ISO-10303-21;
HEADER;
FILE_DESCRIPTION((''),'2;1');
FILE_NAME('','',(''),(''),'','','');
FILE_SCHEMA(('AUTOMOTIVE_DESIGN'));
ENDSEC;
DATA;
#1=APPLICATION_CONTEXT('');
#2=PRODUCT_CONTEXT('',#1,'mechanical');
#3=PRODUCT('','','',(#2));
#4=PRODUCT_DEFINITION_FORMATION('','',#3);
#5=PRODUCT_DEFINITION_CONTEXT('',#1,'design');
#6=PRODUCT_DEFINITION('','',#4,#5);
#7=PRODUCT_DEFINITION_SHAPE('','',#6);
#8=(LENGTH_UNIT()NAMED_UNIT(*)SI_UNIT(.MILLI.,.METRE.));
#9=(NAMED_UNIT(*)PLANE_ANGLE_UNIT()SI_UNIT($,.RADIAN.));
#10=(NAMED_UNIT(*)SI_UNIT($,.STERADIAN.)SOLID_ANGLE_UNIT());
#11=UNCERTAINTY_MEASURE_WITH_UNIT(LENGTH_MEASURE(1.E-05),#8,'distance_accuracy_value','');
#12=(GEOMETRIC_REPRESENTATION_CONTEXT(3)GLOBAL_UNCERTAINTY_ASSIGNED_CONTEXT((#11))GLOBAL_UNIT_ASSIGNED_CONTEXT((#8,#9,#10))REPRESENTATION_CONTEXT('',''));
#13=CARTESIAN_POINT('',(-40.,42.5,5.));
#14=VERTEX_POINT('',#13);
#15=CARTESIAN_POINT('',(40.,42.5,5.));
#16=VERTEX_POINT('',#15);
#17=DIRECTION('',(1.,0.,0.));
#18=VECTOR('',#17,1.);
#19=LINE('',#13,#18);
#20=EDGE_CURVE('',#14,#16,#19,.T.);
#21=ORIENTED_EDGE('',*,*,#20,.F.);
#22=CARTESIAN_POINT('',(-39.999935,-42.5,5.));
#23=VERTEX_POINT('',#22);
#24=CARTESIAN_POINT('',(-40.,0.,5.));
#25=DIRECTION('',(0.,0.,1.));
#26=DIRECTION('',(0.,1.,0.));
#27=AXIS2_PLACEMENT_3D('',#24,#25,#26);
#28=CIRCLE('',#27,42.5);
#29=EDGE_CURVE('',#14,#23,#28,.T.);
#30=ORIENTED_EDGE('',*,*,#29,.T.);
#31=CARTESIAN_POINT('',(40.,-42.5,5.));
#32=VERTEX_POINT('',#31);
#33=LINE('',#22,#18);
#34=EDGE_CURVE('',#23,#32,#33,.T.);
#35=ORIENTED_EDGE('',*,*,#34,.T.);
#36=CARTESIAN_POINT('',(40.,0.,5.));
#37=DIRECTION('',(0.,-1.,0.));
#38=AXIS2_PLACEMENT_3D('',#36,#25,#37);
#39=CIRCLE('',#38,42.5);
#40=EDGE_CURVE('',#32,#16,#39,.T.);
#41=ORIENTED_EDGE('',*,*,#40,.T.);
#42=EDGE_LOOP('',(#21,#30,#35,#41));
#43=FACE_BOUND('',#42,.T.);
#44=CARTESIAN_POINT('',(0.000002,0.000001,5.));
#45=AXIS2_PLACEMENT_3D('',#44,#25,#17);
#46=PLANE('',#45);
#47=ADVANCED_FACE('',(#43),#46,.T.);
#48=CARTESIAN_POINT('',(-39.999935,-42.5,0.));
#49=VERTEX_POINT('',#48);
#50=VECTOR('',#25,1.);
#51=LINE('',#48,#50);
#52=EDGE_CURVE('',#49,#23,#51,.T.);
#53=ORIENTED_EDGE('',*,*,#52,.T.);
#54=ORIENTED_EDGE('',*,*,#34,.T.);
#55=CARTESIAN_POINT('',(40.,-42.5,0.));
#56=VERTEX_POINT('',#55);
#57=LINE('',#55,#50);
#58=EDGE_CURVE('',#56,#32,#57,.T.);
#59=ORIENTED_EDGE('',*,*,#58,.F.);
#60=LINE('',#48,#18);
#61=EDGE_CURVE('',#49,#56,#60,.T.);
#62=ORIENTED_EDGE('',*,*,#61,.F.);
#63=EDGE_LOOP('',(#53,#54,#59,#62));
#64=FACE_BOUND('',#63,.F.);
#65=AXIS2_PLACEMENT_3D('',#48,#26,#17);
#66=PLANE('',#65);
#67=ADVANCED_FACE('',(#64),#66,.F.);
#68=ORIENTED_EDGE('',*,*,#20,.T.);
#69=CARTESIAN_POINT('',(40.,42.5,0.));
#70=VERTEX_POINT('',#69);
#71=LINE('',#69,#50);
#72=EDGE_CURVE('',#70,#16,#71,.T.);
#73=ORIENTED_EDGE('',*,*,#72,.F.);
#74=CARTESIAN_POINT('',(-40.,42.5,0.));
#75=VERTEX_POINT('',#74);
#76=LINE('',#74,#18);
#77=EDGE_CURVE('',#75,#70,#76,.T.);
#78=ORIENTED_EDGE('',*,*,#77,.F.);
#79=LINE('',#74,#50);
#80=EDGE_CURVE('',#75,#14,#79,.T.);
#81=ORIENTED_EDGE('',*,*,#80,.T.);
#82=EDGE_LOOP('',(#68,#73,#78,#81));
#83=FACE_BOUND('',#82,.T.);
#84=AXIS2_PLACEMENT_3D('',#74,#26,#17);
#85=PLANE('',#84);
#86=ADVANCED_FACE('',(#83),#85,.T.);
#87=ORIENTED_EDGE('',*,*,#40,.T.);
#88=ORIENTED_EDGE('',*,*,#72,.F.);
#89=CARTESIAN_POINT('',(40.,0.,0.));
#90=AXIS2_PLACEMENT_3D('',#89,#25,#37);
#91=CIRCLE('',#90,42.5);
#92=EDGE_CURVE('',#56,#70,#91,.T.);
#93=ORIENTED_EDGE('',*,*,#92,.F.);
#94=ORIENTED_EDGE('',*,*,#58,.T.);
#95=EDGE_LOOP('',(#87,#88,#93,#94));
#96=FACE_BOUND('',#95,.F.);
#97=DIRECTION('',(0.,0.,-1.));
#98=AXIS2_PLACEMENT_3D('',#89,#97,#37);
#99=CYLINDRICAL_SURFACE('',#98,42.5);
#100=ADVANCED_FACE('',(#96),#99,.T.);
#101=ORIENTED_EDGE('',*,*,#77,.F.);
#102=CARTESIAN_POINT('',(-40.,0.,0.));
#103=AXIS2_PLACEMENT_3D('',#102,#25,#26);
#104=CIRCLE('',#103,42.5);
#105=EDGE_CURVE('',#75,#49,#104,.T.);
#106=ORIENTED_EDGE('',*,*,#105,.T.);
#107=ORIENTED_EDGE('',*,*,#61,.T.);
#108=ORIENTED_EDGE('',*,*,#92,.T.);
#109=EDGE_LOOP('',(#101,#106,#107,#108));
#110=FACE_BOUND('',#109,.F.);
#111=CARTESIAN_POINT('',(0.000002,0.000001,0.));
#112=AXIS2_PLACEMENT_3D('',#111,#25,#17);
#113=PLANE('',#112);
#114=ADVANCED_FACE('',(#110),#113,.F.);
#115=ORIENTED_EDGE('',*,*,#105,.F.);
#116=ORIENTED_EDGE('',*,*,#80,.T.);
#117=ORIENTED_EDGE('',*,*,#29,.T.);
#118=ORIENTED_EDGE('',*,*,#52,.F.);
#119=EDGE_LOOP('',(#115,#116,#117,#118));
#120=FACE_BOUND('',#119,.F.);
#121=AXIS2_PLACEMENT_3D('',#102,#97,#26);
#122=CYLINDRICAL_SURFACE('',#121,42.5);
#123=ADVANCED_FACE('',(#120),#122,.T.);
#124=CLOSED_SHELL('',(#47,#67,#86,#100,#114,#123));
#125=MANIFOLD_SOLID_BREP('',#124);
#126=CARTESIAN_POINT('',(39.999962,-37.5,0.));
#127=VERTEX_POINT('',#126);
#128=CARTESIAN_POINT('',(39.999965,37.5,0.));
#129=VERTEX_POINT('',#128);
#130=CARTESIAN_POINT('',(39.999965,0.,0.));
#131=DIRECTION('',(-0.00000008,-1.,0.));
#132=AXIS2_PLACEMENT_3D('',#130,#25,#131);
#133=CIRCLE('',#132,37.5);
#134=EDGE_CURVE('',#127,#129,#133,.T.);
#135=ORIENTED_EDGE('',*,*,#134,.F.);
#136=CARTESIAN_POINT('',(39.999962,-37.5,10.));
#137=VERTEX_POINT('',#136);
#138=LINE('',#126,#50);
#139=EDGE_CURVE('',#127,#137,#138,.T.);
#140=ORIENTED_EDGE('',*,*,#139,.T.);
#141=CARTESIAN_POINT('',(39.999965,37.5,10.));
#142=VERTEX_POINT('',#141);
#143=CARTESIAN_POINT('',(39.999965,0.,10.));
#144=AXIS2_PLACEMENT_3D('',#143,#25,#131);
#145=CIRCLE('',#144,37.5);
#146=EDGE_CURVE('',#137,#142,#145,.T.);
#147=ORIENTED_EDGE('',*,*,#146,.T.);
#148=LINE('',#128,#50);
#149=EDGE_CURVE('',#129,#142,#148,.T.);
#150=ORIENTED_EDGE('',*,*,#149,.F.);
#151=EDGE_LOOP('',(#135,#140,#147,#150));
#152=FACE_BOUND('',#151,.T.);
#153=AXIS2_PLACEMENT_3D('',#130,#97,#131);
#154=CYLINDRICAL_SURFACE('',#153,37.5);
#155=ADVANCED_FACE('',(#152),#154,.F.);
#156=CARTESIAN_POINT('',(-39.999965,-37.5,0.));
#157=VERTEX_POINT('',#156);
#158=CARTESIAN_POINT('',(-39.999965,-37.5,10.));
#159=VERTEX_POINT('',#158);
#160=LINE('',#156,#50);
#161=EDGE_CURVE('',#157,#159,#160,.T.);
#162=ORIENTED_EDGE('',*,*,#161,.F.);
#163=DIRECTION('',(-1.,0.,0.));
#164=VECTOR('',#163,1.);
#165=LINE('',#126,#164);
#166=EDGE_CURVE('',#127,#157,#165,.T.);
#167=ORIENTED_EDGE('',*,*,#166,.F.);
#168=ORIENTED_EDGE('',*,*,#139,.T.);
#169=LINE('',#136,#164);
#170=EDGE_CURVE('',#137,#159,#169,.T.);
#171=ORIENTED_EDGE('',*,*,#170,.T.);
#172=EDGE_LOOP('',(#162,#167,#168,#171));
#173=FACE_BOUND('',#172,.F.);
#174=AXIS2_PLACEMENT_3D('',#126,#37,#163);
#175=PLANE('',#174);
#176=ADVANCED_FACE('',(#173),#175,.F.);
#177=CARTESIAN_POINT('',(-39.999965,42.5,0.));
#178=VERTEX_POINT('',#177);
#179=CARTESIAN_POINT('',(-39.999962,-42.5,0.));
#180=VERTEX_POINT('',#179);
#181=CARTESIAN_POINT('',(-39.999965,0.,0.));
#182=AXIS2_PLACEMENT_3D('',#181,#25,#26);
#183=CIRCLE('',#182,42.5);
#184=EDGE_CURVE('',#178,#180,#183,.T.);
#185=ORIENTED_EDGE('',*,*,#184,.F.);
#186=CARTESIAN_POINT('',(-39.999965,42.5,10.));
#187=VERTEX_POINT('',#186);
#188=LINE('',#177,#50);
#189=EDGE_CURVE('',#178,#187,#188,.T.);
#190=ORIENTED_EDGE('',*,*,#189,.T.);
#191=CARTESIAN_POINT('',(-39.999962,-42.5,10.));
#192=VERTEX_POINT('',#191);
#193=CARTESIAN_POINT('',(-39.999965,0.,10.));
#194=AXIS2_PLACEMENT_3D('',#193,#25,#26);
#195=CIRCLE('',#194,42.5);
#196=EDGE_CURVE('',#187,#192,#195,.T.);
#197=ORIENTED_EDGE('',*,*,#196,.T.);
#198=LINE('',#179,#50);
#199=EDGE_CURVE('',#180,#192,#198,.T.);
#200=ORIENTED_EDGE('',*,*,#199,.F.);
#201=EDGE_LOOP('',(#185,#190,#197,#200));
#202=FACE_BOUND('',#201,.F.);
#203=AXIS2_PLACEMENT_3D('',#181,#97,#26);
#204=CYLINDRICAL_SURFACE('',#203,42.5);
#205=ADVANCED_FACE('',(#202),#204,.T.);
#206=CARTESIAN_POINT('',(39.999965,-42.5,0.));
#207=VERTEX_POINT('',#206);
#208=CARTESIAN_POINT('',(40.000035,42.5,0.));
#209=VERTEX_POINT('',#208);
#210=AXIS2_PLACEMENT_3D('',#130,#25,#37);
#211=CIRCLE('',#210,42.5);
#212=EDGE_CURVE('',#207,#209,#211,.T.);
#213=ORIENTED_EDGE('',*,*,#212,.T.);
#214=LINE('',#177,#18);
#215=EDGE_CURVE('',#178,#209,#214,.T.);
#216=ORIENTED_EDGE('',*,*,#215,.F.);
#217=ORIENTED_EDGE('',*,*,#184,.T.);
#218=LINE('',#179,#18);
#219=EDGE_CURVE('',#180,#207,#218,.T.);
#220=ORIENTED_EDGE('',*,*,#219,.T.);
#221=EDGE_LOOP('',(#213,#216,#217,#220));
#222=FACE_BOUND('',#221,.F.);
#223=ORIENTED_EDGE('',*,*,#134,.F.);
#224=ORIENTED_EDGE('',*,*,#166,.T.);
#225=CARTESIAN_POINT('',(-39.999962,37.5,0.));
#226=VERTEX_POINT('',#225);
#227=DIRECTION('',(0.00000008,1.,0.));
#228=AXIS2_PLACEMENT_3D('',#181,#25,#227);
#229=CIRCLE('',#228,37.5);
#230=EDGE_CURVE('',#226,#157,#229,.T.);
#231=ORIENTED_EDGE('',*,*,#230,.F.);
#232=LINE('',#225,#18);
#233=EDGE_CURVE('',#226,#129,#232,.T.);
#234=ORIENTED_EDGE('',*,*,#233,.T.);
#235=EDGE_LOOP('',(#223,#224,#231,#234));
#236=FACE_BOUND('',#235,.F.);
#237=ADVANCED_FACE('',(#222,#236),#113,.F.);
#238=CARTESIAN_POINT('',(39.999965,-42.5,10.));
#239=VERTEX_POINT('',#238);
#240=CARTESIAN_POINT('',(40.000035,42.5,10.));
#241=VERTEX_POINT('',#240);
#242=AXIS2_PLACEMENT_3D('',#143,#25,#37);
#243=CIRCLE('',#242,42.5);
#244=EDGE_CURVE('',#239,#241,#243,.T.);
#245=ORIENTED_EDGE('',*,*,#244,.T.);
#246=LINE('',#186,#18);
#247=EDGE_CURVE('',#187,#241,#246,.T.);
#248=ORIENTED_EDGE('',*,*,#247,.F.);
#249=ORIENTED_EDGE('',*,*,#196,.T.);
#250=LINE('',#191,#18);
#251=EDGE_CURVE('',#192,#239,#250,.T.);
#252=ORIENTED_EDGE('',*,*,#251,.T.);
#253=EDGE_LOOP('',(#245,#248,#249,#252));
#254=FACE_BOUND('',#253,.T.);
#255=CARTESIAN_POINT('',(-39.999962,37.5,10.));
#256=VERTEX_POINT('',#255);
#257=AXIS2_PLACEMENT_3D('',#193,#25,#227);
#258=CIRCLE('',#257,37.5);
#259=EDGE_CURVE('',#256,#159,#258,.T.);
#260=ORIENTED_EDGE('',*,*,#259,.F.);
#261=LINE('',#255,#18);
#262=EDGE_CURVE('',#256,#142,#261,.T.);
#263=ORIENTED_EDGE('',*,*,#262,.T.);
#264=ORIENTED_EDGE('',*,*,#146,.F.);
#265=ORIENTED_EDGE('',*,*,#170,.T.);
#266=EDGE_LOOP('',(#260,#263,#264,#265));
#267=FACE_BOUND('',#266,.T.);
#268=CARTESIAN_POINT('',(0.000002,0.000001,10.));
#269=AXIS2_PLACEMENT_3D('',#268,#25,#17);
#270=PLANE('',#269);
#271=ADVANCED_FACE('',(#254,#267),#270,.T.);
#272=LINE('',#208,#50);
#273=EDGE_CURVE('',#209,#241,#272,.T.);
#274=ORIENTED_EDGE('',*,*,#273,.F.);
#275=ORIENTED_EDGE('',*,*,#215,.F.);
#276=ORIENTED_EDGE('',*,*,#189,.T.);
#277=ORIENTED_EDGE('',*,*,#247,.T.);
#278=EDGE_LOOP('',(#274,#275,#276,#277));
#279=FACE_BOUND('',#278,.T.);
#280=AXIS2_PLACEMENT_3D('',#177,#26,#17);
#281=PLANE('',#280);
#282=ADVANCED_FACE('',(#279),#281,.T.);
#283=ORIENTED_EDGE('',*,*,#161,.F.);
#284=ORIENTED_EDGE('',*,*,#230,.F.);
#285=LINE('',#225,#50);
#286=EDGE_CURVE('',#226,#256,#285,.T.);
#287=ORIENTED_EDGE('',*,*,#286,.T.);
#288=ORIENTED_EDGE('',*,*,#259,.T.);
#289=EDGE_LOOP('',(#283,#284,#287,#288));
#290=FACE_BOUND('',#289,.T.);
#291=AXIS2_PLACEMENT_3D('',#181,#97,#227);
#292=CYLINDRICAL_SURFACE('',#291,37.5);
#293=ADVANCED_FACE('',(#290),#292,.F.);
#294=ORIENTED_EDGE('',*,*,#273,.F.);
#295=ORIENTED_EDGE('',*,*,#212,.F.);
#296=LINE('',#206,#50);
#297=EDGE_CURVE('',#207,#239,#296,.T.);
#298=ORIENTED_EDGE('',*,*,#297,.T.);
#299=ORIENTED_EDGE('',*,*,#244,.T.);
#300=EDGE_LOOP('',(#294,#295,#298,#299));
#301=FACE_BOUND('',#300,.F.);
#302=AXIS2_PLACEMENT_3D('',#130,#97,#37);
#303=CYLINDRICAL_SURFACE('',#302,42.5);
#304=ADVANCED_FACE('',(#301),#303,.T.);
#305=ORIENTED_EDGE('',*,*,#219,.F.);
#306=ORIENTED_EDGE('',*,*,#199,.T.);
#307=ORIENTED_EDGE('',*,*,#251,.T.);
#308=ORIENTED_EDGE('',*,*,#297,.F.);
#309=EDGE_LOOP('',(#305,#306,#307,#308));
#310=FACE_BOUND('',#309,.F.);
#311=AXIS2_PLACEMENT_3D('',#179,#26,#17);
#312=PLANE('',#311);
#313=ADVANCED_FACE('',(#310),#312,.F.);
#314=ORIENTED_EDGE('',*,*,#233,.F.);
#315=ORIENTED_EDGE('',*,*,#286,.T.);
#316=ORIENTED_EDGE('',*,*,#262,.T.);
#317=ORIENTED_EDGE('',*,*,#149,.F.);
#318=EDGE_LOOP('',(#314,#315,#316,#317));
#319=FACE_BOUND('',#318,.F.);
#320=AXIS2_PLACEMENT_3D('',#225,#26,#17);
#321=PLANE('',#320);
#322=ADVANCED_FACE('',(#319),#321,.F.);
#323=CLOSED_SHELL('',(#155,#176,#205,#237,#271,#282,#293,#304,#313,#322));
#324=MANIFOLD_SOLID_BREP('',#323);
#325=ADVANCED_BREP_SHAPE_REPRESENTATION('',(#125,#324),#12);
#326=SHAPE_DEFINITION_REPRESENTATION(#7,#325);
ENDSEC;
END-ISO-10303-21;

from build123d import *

# Parameters (mm, degrees)
PAD_DEPTH    = 10
PAD001_DEPTH = 5


with BuildPart() as k_rper:
    # Sketch → Pad (new body)
    with BuildSketch(Plane.XY):
        with BuildLine():
            ThreePointArc((-39.999965, 42.5), (-82.499965, -1e-06), (-39.999962, -42.5))
            Line((-39.999962, -42.5), (39.999965, -42.5))
            ThreePointArc((39.999965, -42.5), (82.499965, -3.5e-05), (40.000035, 42.5))
            Line((-39.999965, 42.5), (40.000035, 42.5))
        make_face()
        with BuildLine():
            ThreePointArc((-39.999962, 37.5), (-77.499965, 1e-06), (-39.999965, -37.5))
            Line((39.999962, -37.5), (-39.999965, -37.5))
            ThreePointArc((39.999962, -37.5), (77.499965, -1e-06), (39.999965, 37.5))
            Line((-39.999962, 37.5), (39.999965, 37.5))
        make_face(mode=Mode.SUBTRACT)
    extrude(amount=PAD_DEPTH)


with BuildPart() as k_rper001:
    # Sketch001 → Pad001 (new body)
    with BuildSketch(Plane.XY):
        with BuildLine():
            ThreePointArc((-40, 42.5), (-82.5, -3.3e-05), (-39.999935, -42.5))
            Line((-39.999935, -42.5), (40, -42.5))
            ThreePointArc((40, -42.5), (82.5, 0), (40, 42.5))
            Line((-40, 42.5), (40, 42.5))
        make_face()
    extrude(amount=PAD001_DEPTH)


solid = Compound([k_rper.part, k_rper001.part])
